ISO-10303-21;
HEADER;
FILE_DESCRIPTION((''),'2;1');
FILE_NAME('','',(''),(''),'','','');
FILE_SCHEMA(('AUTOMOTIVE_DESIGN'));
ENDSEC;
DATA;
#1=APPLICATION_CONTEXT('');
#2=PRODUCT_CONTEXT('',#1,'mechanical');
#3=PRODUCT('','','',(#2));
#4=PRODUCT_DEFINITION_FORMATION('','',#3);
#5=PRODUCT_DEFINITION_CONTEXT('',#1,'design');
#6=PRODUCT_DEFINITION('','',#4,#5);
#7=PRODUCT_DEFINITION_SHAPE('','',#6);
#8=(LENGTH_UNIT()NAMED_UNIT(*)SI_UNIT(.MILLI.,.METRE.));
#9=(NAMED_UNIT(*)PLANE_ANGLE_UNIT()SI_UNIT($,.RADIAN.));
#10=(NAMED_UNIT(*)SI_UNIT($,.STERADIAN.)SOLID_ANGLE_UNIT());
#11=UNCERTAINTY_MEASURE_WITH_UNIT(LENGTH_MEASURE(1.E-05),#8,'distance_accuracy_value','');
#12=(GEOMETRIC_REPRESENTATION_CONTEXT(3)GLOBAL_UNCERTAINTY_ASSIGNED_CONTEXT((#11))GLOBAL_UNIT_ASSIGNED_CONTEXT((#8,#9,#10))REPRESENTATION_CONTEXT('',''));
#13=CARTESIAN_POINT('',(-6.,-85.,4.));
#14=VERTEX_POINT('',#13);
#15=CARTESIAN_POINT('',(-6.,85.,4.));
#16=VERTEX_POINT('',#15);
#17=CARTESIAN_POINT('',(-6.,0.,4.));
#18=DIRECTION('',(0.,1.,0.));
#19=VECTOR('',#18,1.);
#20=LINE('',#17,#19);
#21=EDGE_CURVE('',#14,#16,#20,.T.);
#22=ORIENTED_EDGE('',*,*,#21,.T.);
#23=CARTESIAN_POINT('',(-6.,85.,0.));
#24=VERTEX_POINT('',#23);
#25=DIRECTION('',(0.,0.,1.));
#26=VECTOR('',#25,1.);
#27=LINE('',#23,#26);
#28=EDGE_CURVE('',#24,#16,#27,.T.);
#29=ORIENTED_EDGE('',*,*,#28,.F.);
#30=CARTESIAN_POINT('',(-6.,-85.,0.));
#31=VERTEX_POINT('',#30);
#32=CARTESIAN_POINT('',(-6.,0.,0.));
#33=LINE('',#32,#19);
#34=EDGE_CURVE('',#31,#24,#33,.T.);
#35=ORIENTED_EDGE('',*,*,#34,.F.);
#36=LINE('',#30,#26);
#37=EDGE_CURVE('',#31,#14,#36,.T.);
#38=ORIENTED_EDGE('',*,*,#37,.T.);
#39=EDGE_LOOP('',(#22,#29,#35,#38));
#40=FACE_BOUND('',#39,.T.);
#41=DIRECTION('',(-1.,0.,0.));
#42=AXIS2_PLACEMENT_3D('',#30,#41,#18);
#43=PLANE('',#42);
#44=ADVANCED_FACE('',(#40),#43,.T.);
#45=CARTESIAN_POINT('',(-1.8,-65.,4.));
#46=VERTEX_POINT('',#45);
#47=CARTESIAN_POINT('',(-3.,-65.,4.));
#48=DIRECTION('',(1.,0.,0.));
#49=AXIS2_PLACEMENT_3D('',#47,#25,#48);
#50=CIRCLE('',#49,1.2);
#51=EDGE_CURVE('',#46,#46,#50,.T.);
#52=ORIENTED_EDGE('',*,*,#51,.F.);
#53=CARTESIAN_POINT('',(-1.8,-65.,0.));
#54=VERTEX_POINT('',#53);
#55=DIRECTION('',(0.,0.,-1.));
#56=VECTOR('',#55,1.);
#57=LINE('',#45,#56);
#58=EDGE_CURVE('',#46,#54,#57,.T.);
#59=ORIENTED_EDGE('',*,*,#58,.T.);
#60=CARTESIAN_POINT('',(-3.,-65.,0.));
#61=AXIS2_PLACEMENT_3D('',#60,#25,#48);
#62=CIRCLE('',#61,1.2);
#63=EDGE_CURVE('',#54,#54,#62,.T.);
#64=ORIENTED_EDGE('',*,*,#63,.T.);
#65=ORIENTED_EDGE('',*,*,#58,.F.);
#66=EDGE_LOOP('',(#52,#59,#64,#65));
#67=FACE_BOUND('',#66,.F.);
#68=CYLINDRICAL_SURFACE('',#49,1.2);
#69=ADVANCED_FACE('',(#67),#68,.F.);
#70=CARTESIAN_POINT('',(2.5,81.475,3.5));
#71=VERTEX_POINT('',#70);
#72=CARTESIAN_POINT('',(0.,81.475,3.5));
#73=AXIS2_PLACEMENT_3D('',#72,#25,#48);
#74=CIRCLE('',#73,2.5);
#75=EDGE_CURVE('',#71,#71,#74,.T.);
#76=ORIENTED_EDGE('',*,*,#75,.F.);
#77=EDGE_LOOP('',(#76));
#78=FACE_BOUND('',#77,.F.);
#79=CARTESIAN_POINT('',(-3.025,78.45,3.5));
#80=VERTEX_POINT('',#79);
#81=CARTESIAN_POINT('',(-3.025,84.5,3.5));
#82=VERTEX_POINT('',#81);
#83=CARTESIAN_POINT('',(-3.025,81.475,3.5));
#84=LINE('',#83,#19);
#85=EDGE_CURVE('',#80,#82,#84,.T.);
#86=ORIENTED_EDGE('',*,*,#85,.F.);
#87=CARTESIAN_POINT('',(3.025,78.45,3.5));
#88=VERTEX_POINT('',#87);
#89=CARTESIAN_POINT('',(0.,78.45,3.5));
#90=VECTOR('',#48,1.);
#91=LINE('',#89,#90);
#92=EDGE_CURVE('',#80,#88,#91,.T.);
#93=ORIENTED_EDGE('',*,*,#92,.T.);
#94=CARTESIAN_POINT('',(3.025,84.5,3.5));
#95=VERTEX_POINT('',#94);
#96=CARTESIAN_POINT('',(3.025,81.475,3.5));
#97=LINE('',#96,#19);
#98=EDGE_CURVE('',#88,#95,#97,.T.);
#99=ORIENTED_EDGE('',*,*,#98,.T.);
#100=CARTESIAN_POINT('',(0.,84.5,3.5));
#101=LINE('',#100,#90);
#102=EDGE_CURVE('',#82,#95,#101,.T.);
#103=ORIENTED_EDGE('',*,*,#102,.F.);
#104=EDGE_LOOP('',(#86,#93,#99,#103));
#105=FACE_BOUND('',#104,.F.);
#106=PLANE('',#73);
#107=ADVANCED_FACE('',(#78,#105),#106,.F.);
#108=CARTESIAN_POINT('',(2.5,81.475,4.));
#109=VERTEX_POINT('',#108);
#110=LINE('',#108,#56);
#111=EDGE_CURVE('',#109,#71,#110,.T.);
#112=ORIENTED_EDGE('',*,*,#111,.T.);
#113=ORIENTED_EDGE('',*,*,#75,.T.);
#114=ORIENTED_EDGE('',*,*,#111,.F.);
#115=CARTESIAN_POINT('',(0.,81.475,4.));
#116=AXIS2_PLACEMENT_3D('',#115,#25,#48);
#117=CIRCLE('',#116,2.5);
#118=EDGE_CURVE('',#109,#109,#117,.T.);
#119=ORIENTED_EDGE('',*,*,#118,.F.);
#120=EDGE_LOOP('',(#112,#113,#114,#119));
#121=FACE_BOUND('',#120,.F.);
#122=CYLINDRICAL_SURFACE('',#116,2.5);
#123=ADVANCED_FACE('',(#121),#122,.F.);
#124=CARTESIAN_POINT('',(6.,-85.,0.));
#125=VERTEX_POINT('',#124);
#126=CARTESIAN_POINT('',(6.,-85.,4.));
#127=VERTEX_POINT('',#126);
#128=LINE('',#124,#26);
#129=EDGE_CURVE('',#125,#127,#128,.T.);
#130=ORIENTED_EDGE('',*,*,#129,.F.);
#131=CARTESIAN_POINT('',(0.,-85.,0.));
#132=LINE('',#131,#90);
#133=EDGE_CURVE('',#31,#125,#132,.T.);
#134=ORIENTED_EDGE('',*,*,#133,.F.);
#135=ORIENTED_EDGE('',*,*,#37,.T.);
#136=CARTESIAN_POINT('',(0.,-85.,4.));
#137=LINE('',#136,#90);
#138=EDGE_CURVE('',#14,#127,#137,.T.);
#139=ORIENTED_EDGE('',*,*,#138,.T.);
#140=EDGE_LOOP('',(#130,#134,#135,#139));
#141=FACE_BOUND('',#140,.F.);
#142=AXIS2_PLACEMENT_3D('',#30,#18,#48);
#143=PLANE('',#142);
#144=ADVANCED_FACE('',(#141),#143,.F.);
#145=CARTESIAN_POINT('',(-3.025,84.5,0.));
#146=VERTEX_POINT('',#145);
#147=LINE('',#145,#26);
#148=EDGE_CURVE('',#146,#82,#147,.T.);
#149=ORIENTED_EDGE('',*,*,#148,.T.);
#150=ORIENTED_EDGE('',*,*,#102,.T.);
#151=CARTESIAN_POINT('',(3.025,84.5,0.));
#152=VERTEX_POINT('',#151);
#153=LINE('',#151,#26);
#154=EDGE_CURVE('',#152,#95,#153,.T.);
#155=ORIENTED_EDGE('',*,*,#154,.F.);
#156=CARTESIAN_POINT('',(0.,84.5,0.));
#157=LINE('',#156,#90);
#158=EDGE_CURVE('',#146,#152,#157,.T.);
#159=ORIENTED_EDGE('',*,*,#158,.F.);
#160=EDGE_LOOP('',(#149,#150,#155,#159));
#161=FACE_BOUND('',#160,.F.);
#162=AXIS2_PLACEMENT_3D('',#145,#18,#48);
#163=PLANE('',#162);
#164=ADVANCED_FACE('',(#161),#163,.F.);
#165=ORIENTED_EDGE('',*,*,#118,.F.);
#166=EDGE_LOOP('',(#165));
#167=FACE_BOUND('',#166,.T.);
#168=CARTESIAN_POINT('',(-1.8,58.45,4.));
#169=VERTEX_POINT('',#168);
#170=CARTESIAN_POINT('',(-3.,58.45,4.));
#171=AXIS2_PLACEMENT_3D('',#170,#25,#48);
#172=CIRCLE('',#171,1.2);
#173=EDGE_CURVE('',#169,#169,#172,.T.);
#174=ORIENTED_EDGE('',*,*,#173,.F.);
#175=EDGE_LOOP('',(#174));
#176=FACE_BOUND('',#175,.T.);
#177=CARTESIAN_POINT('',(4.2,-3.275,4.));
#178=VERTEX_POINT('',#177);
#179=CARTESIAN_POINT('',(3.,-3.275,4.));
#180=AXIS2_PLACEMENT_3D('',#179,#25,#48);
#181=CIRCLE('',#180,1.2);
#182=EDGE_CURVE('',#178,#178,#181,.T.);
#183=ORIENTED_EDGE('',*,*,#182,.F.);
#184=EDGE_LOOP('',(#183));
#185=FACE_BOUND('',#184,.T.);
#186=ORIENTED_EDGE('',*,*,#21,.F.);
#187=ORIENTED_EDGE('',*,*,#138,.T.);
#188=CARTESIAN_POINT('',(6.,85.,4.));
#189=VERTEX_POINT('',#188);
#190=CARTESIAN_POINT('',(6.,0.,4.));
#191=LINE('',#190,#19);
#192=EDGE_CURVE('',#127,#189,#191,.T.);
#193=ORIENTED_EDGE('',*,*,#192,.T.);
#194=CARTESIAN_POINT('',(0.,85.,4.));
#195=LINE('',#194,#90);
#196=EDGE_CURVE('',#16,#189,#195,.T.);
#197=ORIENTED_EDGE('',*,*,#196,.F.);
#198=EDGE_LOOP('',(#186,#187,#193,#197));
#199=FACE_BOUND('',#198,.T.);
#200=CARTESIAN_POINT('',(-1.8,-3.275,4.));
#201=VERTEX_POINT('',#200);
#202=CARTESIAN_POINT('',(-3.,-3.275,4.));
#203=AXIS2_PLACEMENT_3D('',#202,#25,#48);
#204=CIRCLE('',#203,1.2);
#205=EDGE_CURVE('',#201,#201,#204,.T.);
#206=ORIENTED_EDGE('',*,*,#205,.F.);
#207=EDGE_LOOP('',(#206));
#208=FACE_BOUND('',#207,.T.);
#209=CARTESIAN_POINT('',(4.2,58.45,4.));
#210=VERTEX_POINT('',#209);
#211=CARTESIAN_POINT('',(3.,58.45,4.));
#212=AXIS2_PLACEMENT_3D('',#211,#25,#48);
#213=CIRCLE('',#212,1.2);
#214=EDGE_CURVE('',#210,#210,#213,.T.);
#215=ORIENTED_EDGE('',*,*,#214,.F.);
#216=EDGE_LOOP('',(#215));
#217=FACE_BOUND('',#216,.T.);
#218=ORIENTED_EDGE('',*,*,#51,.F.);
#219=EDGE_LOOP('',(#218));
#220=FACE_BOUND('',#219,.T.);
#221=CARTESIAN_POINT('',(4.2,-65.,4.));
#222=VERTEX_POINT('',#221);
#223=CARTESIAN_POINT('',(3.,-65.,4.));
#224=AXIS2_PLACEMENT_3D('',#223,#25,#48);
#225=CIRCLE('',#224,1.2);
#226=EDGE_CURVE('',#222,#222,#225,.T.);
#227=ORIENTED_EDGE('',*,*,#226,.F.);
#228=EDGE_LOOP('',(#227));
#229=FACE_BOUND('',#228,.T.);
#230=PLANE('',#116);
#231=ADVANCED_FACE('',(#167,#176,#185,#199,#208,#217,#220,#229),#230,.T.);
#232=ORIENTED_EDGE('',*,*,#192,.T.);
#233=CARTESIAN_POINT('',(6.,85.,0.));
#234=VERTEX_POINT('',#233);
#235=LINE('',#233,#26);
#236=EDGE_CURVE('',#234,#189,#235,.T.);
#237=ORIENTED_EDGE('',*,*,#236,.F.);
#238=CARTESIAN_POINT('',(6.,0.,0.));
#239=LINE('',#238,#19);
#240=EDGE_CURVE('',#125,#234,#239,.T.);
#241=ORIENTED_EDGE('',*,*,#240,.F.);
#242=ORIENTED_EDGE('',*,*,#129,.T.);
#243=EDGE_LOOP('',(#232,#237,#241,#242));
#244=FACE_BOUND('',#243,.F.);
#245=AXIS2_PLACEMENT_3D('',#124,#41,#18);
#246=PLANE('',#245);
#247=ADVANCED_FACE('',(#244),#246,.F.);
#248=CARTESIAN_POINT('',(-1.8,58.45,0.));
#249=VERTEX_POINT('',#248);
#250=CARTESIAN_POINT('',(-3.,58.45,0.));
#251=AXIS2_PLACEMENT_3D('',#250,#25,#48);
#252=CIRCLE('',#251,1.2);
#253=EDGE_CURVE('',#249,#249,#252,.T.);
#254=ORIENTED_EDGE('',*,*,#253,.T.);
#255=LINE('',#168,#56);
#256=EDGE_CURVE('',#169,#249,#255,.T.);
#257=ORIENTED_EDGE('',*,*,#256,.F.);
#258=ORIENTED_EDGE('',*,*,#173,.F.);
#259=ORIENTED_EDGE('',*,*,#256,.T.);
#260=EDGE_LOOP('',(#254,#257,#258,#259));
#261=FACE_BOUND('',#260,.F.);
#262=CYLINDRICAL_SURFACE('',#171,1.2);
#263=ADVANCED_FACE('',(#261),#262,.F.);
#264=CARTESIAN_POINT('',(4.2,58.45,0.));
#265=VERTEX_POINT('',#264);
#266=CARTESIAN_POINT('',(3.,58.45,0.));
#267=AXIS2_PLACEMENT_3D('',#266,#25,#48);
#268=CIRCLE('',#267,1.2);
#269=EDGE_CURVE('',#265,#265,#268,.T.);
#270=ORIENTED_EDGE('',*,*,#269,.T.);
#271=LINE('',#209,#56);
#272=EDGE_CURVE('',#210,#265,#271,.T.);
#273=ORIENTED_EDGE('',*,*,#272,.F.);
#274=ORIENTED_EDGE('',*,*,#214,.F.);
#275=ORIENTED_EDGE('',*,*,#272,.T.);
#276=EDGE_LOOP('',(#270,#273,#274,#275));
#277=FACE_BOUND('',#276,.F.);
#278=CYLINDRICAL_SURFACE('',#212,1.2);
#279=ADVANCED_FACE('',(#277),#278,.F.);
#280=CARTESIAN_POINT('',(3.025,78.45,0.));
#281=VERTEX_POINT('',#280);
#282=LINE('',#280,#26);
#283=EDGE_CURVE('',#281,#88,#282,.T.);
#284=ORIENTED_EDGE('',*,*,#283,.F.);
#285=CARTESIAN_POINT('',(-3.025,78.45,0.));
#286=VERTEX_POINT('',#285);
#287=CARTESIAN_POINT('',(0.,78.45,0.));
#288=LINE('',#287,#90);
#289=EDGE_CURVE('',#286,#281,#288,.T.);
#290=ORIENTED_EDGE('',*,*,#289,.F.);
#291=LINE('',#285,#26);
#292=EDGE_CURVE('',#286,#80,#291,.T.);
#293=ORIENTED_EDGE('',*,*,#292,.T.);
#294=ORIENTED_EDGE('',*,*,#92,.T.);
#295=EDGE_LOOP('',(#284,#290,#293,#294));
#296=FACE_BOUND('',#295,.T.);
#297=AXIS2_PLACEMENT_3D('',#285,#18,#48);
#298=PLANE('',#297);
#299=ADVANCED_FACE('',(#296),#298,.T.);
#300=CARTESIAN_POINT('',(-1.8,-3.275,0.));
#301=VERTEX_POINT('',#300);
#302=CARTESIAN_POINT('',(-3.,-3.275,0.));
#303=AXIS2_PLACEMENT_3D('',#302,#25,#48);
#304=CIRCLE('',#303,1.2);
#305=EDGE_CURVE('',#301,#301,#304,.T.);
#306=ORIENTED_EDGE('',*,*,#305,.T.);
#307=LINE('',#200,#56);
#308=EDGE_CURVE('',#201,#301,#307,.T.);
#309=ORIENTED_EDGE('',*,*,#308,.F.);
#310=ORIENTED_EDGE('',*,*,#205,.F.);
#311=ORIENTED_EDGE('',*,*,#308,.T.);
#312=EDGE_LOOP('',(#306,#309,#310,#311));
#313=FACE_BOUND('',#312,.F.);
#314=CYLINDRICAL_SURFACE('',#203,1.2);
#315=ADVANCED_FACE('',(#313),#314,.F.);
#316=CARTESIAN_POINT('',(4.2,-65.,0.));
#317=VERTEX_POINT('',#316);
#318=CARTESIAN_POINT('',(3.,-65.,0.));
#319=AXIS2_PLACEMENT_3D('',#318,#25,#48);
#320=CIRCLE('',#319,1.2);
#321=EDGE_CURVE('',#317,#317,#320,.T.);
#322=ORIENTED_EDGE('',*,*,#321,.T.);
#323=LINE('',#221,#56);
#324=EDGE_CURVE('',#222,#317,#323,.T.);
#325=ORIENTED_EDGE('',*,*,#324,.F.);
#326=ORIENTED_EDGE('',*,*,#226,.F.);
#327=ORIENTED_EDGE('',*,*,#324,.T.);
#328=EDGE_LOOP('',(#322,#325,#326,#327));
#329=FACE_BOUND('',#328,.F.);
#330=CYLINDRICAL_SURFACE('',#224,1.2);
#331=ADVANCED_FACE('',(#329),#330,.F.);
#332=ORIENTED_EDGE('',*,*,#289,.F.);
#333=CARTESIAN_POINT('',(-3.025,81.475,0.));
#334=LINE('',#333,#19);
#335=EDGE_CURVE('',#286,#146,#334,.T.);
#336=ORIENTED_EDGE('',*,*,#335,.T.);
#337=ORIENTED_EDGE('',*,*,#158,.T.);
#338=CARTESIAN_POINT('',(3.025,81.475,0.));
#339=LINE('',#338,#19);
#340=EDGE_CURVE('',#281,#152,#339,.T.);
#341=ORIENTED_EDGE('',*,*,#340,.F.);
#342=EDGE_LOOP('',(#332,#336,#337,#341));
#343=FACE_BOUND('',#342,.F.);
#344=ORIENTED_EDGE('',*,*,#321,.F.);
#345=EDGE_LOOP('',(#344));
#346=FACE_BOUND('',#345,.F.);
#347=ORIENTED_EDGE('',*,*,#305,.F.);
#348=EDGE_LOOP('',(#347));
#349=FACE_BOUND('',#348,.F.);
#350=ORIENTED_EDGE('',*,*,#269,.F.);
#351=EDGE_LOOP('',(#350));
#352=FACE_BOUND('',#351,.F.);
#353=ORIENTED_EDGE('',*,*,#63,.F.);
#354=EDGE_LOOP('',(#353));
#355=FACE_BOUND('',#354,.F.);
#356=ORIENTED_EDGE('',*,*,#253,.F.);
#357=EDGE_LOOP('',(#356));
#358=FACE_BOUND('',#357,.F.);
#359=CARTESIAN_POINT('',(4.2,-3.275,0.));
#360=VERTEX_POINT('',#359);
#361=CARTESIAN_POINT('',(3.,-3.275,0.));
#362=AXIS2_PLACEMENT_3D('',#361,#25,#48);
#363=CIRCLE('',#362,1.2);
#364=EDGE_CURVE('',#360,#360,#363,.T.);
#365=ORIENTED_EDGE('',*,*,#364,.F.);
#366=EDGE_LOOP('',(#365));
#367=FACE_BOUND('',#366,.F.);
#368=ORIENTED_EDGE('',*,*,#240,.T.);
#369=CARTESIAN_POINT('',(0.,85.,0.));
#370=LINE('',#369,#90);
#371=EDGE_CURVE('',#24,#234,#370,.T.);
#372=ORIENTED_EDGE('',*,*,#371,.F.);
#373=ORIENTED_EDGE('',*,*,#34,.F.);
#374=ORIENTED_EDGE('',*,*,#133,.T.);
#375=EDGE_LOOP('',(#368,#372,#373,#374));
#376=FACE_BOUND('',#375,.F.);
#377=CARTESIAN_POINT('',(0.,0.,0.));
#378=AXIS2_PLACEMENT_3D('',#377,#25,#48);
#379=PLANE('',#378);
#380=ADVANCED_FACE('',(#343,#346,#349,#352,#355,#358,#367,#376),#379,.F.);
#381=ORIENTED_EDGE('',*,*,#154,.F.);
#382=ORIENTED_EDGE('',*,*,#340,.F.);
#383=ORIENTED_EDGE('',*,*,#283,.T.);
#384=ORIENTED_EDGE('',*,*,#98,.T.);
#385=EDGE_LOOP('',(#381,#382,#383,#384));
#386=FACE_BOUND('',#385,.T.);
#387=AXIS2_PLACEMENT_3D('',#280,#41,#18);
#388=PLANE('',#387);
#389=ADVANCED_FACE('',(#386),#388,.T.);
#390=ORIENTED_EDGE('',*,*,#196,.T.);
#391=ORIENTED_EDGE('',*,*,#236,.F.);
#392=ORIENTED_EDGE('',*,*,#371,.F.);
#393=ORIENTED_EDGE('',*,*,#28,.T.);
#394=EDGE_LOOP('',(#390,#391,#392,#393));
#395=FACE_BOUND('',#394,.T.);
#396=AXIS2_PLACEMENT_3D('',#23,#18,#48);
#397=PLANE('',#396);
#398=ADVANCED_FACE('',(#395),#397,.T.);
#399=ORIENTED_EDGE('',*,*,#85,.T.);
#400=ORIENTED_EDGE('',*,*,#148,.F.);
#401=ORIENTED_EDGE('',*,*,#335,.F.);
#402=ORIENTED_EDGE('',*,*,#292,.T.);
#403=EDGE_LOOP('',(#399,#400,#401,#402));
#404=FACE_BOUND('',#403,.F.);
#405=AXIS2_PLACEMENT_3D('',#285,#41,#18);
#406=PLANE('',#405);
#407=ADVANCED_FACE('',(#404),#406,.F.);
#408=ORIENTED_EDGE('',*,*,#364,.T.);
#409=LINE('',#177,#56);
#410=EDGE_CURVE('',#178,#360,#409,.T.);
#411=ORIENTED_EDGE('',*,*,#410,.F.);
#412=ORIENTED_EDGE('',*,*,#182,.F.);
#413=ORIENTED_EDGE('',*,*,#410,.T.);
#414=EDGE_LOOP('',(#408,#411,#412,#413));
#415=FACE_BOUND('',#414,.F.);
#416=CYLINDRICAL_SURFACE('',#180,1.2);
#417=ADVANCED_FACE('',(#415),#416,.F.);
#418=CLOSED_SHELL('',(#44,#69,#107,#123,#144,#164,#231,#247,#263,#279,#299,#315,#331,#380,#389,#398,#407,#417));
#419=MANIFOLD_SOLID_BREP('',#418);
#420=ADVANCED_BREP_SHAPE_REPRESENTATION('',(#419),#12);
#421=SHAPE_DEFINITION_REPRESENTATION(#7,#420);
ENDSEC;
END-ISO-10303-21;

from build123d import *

# Parameters (mm, degrees)
SKETCH_W     = 12
SKETCH_H     = 170
SKETCH_W_2   = 6.05
SKETCH_H_2   = 6.05
PAD_DEPTH    = 4
SKETCH001_W  = 6.05
SKETCH001_H  = 6.05
PAD001_DEPTH = 0.5
SKETCH002_R  = 2.5
POCKET_DEPTH = 0.5
SKETCH003_R  = 1.2
HOLE_DEPTH   = 25


with BuildPart() as part:
    # Sketch → Pad (new body)
    with BuildSketch(Plane.XY):
        Rectangle(SKETCH_W, SKETCH_H)
        with Locations((0, 81.475)):
            Rectangle(SKETCH_W_2, SKETCH_H_2, mode=Mode.SUBTRACT)
    extrude(amount=PAD_DEPTH)

    # Sketch001 (on Face10 of Pad) → Pad001 (join)
    with BuildSketch(Plane.XY.offset(4)):
        with Locations((0, 81.475)):
            Rectangle(SKETCH001_W, SKETCH001_H)
    extrude(amount=-PAD001_DEPTH)

    # Sketch002 (on Face11 of Pad001) → Pocket (cut)
    with BuildSketch(Plane.XY.offset(4)):
        with Locations((0, 81.475)):
            Circle(SKETCH002_R)
    extrude(amount=-POCKET_DEPTH, mode=Mode.SUBTRACT)

    # Sketch003 (on Face5 of Pocket) → Hole (cut)
    with BuildSketch(Plane.XY.offset(4)):
        with Locations((3, 58.45)):
            Circle(SKETCH003_R)
        with Locations((-3, 58.45)):
            Circle(SKETCH003_R)
        with Locations((3, -3.275)):
            Circle(SKETCH003_R)
        with Locations((-3, -3.275)):
            Circle(SKETCH003_R)
        with Locations((3, -65)):
            Circle(SKETCH003_R)
        with Locations((-3, -65)):
            Circle(SKETCH003_R)
    extrude(amount=-HOLE_DEPTH, mode=Mode.SUBTRACT)


solid = part.part
